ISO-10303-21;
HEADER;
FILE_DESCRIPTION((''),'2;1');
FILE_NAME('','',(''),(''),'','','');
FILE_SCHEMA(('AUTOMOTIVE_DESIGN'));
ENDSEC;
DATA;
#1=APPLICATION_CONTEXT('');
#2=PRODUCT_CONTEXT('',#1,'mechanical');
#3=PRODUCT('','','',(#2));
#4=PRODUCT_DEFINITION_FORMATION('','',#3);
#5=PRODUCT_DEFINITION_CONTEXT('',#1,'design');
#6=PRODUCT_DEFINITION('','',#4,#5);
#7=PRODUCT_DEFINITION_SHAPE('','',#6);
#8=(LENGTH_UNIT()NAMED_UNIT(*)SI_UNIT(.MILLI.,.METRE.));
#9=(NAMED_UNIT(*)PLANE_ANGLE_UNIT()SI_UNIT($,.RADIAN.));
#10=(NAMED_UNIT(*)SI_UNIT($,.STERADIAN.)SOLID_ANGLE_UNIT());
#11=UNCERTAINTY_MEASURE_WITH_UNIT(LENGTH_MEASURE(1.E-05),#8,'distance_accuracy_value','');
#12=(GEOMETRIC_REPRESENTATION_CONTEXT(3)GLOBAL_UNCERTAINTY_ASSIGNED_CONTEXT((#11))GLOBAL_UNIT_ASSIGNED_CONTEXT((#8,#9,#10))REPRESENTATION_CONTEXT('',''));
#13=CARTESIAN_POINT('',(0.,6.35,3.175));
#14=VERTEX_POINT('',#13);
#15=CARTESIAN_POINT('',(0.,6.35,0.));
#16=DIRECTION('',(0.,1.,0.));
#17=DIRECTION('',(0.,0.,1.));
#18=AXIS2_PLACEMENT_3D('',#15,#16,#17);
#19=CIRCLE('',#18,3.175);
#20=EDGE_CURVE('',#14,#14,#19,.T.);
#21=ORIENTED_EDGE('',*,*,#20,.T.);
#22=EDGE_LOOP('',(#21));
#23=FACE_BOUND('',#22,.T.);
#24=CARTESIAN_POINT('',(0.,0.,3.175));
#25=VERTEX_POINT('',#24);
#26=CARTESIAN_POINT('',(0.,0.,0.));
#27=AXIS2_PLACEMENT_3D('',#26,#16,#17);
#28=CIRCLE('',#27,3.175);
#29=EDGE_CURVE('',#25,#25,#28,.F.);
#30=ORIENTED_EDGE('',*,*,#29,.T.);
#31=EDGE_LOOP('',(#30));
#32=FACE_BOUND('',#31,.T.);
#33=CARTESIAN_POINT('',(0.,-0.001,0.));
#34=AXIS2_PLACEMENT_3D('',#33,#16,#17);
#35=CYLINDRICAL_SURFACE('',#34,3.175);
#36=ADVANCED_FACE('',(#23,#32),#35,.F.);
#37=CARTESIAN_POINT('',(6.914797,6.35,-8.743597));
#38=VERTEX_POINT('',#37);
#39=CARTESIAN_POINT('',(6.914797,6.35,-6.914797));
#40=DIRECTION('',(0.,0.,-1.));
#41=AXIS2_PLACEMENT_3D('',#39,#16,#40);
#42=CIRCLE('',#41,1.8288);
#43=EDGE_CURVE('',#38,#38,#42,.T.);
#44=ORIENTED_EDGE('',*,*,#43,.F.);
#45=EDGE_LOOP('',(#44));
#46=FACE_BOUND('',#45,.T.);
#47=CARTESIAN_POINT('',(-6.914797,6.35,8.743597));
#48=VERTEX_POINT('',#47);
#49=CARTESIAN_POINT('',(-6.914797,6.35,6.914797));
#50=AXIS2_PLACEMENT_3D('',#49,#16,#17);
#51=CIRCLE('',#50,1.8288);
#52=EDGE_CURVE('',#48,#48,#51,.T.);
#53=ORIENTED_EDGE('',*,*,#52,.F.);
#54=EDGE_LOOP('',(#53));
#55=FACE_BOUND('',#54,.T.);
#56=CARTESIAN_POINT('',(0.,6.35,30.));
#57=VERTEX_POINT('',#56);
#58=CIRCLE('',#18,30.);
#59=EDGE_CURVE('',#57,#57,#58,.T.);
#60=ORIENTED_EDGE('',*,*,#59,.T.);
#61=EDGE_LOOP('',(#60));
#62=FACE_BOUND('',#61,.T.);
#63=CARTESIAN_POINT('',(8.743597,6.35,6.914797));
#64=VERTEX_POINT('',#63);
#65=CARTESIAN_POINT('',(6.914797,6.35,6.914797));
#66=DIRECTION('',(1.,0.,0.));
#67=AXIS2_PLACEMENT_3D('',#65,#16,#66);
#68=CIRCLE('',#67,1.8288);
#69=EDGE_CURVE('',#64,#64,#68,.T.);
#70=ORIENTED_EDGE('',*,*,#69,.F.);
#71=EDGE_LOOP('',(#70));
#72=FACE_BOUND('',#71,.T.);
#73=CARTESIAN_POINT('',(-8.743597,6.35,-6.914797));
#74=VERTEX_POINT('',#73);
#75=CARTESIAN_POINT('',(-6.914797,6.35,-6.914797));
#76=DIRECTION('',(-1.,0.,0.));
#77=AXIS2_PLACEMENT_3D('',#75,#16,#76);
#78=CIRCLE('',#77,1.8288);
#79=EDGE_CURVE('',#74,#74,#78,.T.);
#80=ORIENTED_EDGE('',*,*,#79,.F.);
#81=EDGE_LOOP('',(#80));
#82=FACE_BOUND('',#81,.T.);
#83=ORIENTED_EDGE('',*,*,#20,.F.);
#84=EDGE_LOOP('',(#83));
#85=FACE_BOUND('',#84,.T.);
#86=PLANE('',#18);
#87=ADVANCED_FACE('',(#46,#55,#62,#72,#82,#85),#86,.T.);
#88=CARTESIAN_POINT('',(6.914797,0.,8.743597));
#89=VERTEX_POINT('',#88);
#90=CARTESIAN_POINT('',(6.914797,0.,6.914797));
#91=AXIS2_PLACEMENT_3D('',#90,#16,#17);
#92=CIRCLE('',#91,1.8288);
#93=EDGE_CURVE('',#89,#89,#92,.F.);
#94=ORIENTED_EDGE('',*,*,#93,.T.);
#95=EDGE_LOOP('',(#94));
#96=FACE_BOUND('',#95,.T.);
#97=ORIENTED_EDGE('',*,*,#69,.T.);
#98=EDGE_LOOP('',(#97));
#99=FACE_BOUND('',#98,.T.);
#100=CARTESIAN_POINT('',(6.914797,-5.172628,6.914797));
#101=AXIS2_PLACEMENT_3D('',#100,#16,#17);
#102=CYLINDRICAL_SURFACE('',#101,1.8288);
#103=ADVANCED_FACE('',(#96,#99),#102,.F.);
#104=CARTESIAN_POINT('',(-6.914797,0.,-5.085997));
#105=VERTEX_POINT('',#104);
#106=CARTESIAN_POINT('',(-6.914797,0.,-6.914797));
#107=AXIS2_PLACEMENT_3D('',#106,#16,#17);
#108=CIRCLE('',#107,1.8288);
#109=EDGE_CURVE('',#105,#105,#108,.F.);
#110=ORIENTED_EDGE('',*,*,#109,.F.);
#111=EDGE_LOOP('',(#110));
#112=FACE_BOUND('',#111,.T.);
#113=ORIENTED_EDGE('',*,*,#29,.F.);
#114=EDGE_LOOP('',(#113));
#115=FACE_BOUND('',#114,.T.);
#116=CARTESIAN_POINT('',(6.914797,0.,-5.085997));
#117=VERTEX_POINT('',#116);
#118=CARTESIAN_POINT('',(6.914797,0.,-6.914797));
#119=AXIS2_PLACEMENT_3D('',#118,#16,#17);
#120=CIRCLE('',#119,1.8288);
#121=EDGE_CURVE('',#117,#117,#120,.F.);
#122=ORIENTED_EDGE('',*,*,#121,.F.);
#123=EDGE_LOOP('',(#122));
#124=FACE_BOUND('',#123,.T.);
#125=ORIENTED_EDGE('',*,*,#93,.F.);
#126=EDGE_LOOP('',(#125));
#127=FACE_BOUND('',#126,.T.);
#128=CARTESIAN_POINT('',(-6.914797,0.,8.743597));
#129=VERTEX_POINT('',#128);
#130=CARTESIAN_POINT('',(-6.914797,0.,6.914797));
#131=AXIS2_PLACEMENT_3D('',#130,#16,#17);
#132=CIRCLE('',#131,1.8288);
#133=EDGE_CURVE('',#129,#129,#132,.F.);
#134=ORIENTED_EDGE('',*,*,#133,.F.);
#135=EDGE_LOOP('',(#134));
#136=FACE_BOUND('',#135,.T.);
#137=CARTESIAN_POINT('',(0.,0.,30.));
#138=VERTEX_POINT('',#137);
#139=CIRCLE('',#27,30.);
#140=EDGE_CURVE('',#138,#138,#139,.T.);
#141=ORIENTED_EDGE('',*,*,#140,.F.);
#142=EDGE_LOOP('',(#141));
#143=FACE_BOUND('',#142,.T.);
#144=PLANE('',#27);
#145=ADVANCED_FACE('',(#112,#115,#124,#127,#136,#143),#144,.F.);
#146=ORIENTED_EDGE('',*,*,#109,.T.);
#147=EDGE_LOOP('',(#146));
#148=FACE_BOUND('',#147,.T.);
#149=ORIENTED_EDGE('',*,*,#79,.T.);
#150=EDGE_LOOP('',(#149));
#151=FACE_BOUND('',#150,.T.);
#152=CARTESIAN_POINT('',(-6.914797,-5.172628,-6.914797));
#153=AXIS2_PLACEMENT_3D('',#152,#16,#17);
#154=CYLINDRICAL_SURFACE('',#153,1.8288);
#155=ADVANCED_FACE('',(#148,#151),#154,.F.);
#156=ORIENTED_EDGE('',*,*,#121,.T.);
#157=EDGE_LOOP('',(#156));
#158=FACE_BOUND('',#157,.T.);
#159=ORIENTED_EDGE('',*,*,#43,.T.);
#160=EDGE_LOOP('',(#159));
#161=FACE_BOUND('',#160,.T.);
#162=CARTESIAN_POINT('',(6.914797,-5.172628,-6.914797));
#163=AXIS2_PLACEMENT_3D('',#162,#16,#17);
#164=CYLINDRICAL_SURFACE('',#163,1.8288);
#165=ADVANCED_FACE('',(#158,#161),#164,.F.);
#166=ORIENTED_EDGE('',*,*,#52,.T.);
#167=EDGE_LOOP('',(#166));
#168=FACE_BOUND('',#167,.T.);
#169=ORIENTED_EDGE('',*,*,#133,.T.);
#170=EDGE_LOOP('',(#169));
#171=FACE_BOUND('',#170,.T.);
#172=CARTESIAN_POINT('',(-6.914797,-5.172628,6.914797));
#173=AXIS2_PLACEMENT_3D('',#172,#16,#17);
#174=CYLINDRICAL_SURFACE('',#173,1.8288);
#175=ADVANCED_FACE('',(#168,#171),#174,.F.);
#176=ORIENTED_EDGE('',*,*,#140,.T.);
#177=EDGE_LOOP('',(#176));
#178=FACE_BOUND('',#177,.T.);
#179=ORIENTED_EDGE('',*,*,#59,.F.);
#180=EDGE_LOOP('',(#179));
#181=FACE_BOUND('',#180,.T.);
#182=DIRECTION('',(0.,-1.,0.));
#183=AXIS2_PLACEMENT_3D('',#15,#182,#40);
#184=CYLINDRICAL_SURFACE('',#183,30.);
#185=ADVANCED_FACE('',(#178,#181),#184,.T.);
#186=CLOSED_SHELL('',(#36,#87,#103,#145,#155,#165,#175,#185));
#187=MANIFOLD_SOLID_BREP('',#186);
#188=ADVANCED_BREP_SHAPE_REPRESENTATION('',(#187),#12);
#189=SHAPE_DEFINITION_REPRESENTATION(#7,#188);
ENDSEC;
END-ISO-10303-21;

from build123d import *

# Parameters (mm, degrees)
ESQUISSE1_R             = 30
BOSS_EXTRU_1_DEPTH      = 6.35
ENL_V_MAT_EXTRU_1_REACH = 44.899
ESQUISSE2_R             = 3.175
SKETCH1_R               = 1.8288
CUT_EXTRUDE1_DEPTH      = 6.35
CIRPATTERN1_COUNT       = 4


with BuildPart() as part:
    # Esquisse1 → Boss.-Extru.1 (new body)
    with BuildSketch(Plane(origin=(0, 0, 0), x_dir=(1, 0, 0), z_dir=(0, 1, 0))):
        with Locations(Location((0, 0, 0), (0, 0, 270))):
            Circle(ESQUISSE1_R)
    extrude(amount=BOSS_EXTRU_1_DEPTH)

    # Esquisse2 → Enlèv. mat.-Extru.1 (cut, up to next)
    with BuildSketch(Plane(origin=(0, 6.35, 0), x_dir=(1, 0, 0), z_dir=(0, 1, 0)), mode=Mode.PRIVATE) as enl_v_mat_extru_1_sk1:
        with Locations(Location((0, 0, 0), (0, 0, 270))):
            Circle(ESQUISSE2_R)
    enl_v_mat_extru_1_tool1 = extrude(enl_v_mat_extru_1_sk1.sketch, amount=-ENL_V_MAT_EXTRU_1_REACH, mode=Mode.PRIVATE) & part.part
    add(enl_v_mat_extru_1_tool1.solids().sort_by_distance((0, 6.35, 0))[0], mode=Mode.SUBTRACT)

    # Sketch1 → Cut-Extrude1 (cut)
    with BuildSketch(Plane(origin=(0, 6.35, 0), x_dir=(1, 0, 0), z_dir=(0, 1, 0))):
        with Locations(Location((-6.914797213, -6.914797213, 0), (0, 0, 270))):
            Circle(SKETCH1_R)
    cut_extrude1 = extrude(amount=-CUT_EXTRUDE1_DEPTH, mode=Mode.SUBTRACT)

    # CirPattern1: Cut-Extrude1 ×4 about axis
    cirpattern1_axis = Axis((0, 0, 0), (0, 1, 0))
    for i in range(1, CIRPATTERN1_COUNT):
        add(cut_extrude1.rotate(cirpattern1_axis, i * 360 / CIRPATTERN1_COUNT), mode=Mode.SUBTRACT)


solid = part.part
